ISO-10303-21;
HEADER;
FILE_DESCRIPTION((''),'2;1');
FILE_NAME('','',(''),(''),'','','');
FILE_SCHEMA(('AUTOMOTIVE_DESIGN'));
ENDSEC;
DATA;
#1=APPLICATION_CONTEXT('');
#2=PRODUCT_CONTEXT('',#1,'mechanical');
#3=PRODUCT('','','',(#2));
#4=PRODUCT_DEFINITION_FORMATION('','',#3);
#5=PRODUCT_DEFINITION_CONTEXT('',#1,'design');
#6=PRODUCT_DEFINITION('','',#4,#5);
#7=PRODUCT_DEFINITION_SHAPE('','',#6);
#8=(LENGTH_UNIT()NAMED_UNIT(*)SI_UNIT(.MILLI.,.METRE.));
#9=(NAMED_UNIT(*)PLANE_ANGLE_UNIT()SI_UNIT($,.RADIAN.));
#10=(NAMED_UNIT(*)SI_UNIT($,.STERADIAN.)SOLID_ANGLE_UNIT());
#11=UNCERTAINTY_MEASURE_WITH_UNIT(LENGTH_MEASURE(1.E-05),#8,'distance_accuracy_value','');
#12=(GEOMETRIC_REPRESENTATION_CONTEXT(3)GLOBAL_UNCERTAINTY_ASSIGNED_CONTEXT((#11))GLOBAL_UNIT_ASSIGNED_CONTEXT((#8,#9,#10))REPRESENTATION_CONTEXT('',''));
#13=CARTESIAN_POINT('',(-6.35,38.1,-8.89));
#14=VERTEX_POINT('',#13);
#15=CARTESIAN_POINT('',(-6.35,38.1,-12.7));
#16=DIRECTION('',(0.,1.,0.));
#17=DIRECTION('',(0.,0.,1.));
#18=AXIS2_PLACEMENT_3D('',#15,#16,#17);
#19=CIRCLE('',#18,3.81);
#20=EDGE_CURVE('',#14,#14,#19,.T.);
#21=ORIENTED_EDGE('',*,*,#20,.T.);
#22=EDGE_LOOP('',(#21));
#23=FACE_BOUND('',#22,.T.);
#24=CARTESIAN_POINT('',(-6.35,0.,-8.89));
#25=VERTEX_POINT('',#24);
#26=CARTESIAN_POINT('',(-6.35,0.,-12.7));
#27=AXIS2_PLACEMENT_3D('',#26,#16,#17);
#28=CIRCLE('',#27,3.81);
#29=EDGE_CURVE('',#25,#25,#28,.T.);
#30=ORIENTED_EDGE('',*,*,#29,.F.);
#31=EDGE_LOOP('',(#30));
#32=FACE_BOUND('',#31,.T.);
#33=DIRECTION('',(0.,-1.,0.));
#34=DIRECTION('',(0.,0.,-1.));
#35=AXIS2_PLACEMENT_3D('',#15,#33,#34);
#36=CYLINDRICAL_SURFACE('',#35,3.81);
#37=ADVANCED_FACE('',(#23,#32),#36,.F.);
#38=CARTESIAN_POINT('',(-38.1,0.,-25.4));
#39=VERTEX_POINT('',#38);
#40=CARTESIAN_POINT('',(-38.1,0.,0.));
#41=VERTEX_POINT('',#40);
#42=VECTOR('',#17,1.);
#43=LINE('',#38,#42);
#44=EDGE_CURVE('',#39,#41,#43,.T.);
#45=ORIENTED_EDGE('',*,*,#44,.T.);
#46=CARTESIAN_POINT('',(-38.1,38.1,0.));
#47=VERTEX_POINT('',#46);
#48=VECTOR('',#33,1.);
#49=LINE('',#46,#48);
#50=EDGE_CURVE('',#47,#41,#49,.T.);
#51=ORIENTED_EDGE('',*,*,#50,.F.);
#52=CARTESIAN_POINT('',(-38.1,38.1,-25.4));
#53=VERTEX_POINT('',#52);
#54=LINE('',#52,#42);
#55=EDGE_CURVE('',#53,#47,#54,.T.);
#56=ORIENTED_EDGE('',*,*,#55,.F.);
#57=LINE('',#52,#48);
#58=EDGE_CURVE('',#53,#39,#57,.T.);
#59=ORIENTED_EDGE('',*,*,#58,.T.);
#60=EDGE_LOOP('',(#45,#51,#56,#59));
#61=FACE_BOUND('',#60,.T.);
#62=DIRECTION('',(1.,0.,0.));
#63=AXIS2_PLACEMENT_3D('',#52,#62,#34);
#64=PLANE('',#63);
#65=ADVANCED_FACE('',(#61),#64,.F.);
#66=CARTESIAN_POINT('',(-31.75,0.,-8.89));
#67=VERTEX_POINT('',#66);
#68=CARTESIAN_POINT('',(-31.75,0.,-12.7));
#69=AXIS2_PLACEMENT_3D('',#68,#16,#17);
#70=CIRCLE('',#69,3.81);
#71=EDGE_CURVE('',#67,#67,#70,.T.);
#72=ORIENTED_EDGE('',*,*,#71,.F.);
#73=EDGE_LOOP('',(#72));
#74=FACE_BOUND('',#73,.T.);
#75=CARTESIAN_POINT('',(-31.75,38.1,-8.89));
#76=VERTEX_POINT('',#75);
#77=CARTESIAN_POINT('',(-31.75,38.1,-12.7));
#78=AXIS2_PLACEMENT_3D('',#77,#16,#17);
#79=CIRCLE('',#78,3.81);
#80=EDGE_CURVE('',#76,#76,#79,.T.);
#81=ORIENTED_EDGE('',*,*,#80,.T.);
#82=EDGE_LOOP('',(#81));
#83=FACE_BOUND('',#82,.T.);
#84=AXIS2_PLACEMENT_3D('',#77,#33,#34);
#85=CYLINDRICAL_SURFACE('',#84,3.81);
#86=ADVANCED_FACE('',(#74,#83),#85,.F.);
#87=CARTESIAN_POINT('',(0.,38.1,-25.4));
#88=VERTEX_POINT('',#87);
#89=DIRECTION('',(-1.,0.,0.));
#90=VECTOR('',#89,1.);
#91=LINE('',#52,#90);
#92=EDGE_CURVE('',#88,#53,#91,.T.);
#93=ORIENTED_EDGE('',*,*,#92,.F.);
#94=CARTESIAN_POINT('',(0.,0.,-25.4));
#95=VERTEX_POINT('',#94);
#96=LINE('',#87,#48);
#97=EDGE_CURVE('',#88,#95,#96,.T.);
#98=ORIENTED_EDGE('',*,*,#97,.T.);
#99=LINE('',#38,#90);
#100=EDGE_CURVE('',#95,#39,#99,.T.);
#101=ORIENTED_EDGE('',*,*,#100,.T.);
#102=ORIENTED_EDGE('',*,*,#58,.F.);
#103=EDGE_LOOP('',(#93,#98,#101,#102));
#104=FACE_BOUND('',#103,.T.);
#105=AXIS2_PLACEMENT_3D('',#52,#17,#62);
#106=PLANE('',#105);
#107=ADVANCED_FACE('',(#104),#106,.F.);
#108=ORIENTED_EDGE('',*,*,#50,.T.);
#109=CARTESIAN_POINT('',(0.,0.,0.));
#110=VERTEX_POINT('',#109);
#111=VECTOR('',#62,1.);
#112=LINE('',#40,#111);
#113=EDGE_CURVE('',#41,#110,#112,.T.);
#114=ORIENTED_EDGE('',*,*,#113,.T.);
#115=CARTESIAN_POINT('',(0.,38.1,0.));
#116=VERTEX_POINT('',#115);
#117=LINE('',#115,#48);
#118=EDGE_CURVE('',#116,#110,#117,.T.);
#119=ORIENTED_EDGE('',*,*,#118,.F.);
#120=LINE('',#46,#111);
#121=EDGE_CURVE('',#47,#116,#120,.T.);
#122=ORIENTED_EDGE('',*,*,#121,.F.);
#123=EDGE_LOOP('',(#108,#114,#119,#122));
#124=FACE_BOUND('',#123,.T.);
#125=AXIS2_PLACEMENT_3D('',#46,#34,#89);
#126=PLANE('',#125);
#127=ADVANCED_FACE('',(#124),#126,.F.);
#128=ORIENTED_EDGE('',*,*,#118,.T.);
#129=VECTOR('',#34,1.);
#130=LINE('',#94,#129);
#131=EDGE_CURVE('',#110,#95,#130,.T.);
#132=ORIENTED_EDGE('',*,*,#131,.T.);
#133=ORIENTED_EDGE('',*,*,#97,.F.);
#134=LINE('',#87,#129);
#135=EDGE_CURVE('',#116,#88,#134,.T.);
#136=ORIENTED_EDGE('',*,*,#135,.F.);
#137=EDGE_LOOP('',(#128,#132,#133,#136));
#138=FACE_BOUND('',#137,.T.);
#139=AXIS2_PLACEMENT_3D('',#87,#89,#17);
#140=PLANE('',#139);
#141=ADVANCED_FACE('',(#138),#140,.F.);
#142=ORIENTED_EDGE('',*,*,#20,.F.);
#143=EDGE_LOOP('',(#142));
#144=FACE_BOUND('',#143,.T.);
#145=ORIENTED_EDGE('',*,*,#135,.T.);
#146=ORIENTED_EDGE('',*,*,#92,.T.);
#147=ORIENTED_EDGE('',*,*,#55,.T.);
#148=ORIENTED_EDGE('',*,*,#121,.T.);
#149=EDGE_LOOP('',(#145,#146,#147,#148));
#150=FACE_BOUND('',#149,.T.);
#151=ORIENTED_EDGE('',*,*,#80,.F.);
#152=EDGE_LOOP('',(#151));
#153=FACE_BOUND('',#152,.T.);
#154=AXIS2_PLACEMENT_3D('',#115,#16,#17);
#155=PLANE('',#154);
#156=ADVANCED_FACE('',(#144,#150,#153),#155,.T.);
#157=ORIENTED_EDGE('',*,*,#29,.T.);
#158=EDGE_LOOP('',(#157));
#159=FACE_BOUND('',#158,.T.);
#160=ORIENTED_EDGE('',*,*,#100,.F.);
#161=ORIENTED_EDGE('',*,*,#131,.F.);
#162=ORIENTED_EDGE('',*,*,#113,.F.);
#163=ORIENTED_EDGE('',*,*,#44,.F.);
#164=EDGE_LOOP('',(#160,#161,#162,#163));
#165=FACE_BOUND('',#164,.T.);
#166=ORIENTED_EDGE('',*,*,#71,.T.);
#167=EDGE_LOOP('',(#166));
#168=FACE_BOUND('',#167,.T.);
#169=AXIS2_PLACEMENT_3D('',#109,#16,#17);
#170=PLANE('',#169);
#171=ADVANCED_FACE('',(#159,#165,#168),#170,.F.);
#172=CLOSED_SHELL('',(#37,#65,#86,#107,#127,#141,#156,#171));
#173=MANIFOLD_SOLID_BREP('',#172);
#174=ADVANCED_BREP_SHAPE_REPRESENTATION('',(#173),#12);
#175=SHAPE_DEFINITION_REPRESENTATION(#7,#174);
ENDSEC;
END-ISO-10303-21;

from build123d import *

# Parameters (mm, degrees)
SKETCH1_W           = 38.1
SKETCH1_H           = 25.4
SKETCH1_R           = 3.81
BOSS_EXTRUDE1_DEPTH = 38.1


with BuildPart() as part:
    # Sketch1 → Boss-Extrude1 (new body)
    with BuildSketch(Plane(origin=(0, 0, 0), x_dir=(1, 0, 0), z_dir=(0, 1, 0))):
        with Locations((-19.05, 12.7)):
            Rectangle(SKETCH1_W, SKETCH1_H)
        with Locations((-31.75, 12.7)):
            Circle(SKETCH1_R, mode=Mode.SUBTRACT)
        with Locations((-6.35, 12.7)):
            Circle(SKETCH1_R, mode=Mode.SUBTRACT)
    extrude(amount=BOSS_EXTRUDE1_DEPTH)


solid = part.part
